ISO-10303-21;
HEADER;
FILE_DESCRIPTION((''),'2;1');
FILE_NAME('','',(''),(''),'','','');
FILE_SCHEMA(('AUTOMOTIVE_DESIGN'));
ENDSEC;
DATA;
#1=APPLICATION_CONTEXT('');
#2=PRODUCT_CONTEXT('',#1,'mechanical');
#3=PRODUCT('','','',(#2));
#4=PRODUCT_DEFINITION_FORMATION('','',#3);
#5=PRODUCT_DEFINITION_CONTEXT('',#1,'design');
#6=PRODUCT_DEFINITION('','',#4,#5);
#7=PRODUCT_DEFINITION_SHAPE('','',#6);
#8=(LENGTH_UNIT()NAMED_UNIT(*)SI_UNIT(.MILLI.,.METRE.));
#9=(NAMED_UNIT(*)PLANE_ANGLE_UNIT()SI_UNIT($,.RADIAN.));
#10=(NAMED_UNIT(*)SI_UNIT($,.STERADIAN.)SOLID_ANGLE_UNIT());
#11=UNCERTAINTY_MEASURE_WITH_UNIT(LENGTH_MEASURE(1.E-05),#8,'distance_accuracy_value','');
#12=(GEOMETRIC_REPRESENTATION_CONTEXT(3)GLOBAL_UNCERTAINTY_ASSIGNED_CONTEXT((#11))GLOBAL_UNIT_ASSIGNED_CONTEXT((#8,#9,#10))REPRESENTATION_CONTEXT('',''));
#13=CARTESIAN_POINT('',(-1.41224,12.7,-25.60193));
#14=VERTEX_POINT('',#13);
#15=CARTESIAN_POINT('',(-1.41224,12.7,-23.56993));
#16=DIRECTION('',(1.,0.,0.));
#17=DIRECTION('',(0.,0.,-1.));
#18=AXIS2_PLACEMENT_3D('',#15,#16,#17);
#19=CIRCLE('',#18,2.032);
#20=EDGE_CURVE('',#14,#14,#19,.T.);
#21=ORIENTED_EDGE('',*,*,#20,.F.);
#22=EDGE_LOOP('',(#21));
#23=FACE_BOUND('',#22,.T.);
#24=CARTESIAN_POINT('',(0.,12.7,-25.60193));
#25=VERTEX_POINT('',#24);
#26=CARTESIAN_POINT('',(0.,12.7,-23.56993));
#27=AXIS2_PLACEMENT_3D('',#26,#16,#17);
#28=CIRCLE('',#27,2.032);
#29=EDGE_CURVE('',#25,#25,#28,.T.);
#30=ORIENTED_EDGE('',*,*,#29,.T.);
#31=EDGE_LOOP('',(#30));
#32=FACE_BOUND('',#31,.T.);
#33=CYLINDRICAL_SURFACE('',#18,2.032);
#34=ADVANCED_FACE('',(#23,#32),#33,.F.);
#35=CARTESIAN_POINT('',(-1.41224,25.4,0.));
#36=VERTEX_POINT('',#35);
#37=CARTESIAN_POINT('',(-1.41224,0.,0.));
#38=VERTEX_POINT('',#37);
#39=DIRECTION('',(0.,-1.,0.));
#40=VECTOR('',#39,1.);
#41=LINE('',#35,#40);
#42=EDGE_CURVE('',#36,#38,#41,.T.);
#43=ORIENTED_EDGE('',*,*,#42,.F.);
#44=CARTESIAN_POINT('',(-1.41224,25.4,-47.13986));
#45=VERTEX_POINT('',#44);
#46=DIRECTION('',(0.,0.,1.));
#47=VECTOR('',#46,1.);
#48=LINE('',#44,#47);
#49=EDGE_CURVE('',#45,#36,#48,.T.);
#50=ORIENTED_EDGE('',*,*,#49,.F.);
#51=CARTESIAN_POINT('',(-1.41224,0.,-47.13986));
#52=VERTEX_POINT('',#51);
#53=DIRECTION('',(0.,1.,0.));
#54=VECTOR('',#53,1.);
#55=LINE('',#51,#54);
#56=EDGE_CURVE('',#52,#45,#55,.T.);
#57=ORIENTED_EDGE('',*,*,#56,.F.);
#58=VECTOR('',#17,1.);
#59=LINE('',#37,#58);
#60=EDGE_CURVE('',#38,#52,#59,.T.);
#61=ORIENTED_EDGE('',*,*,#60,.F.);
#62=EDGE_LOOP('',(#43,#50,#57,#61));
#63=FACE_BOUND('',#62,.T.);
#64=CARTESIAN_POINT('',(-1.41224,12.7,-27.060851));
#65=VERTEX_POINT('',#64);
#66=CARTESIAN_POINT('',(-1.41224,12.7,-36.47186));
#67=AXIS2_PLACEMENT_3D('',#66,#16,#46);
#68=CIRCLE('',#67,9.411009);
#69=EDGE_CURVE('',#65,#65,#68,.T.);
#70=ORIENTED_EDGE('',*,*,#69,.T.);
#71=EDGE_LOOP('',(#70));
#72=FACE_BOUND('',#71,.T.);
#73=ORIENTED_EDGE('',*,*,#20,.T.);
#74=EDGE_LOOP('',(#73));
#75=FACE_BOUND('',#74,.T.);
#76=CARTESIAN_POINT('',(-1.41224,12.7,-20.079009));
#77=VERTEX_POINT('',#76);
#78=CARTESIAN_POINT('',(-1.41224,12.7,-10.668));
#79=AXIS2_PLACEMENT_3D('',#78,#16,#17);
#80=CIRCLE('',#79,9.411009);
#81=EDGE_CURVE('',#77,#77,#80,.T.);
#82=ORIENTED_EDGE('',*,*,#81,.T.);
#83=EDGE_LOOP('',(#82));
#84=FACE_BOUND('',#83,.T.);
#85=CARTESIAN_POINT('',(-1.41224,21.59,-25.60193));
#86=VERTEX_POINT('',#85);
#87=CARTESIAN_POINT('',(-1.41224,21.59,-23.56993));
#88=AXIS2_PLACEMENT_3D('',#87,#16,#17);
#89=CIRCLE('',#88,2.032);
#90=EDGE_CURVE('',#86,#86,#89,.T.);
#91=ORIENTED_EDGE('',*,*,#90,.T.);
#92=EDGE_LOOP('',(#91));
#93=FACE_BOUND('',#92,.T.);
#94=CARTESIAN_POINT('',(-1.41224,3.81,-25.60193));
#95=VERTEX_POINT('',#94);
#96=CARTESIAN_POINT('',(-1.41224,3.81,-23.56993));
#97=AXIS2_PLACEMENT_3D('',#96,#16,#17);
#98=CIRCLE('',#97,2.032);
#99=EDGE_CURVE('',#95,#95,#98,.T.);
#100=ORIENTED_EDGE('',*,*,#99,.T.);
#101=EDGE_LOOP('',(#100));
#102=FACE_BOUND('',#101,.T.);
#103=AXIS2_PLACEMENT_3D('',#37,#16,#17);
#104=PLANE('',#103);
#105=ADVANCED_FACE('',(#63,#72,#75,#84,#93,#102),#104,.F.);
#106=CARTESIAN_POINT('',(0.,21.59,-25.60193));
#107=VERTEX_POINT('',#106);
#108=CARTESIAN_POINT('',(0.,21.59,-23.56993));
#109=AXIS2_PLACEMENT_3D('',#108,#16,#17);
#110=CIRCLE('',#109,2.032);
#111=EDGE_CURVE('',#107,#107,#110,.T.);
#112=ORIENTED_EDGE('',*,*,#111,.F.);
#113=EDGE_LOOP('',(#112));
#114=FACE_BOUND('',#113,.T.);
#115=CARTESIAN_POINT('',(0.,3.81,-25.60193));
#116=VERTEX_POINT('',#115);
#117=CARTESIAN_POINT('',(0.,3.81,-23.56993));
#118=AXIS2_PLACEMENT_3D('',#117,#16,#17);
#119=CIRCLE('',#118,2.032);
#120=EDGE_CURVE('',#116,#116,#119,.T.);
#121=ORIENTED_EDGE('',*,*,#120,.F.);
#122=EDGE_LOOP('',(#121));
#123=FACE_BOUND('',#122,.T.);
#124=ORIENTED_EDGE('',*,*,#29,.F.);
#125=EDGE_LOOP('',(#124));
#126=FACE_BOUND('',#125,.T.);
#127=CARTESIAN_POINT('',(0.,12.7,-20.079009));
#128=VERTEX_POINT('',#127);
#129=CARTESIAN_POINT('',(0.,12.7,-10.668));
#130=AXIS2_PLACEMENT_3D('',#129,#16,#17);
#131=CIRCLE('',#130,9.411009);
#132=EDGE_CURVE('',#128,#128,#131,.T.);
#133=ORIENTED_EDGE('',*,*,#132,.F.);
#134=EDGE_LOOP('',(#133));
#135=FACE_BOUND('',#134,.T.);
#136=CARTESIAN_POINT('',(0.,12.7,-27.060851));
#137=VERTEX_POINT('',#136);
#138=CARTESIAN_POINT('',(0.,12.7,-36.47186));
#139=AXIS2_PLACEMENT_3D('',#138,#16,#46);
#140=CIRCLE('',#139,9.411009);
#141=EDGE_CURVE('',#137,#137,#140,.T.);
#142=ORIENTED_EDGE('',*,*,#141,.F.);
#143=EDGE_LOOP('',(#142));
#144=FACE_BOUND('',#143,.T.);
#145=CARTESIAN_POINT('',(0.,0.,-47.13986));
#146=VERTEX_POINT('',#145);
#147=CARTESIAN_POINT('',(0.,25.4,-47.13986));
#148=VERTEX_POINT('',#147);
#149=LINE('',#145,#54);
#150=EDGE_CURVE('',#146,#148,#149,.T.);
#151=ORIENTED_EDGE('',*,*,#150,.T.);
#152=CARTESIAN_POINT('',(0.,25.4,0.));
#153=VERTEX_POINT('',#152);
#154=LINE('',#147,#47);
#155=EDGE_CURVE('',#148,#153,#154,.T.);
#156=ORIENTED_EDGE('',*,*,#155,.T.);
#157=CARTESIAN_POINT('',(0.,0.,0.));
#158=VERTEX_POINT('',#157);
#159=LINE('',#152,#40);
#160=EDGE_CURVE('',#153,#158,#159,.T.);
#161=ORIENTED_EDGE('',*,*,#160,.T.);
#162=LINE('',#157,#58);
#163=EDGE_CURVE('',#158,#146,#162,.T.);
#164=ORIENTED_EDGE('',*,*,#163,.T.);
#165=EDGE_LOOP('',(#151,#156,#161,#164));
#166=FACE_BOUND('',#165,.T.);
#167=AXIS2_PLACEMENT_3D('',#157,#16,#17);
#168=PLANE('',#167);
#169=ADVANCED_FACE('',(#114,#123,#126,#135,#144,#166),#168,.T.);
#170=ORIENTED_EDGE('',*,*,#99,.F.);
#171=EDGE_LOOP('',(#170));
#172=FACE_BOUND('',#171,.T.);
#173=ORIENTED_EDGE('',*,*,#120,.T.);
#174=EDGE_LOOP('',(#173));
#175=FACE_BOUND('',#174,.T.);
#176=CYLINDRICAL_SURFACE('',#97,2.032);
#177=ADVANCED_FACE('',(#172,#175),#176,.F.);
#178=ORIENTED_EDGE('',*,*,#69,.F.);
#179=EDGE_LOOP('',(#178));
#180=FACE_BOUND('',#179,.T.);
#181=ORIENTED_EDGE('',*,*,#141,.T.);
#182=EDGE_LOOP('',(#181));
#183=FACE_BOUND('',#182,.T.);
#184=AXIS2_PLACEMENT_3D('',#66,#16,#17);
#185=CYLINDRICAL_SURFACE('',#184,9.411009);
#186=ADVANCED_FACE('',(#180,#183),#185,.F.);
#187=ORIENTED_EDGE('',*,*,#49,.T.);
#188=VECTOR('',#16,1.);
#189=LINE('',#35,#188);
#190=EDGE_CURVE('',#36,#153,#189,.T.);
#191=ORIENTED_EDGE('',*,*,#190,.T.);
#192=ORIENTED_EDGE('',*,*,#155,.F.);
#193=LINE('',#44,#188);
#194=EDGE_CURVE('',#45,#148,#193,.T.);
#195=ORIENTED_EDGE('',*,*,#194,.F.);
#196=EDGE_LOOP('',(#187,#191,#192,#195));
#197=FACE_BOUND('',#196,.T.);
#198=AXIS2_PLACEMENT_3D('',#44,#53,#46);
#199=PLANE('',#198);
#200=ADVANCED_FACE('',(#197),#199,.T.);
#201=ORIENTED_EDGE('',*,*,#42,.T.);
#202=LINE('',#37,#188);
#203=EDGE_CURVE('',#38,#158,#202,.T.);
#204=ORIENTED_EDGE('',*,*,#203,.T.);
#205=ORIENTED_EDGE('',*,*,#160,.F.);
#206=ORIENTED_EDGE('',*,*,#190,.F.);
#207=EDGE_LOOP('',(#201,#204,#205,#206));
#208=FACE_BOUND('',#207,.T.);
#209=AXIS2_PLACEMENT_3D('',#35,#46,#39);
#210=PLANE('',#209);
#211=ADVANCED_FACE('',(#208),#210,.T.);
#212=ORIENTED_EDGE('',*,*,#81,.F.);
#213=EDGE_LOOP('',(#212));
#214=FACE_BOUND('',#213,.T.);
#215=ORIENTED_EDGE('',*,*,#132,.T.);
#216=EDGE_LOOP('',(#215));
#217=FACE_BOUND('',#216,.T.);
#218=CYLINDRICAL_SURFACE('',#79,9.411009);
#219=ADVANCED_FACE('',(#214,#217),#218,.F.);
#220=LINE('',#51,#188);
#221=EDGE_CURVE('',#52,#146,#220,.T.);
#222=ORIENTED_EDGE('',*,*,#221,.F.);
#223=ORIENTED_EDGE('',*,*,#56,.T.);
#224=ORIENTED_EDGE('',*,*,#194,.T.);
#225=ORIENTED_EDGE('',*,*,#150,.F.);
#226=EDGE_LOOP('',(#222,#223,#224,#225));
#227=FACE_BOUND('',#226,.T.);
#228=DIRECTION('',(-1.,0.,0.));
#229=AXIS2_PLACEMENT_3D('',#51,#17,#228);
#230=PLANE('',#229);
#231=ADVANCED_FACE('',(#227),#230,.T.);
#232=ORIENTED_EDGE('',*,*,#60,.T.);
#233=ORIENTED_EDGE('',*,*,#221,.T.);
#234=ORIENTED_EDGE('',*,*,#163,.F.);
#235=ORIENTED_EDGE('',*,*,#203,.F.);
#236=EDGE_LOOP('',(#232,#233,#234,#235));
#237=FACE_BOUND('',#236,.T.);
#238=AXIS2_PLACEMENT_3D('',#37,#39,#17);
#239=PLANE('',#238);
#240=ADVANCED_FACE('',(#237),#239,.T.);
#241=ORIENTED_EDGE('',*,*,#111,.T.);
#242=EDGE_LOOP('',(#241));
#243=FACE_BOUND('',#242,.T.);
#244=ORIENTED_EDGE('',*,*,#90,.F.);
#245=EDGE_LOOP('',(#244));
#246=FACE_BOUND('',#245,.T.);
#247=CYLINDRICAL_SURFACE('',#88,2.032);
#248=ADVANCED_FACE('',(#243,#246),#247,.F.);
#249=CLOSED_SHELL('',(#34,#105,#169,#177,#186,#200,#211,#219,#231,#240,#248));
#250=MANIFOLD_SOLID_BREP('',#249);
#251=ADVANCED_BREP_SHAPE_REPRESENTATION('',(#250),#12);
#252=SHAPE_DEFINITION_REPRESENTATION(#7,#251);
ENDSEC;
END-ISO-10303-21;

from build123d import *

# Parameters (mm, degrees)
SKETCH2_W           = 47.13986
SKETCH2_H           = 25.4
SKETCH2_R           = 2.032
SKETCH2_R_2         = 9.411008891
BOSS_EXTRUDE1_DEPTH = 1.41224


with BuildPart() as part:
    # Sketch2 → Boss-Extrude1 (new body)
    with BuildSketch(Plane(origin=(0, 0, 0), x_dir=(0, 0, -1), z_dir=(1, 0, 0))):
        with Locations((23.56993, 12.7)):
            Rectangle(SKETCH2_W, SKETCH2_H)
        with Locations((23.56993, 21.59)):
            Circle(SKETCH2_R, mode=Mode.SUBTRACT)
        with Locations((23.56993, 12.7)):
            Circle(SKETCH2_R, mode=Mode.SUBTRACT)
        with Locations((23.56993, 3.81)):
            Circle(SKETCH2_R, mode=Mode.SUBTRACT)
        with Locations((10.668, 12.7)):
            Circle(SKETCH2_R_2, mode=Mode.SUBTRACT)
        with Locations(Location((36.47186, 12.7, 0), (0, 0, 180))):
            Circle(SKETCH2_R_2, mode=Mode.SUBTRACT)
    extrude(amount=-BOSS_EXTRUDE1_DEPTH)


solid = part.part
